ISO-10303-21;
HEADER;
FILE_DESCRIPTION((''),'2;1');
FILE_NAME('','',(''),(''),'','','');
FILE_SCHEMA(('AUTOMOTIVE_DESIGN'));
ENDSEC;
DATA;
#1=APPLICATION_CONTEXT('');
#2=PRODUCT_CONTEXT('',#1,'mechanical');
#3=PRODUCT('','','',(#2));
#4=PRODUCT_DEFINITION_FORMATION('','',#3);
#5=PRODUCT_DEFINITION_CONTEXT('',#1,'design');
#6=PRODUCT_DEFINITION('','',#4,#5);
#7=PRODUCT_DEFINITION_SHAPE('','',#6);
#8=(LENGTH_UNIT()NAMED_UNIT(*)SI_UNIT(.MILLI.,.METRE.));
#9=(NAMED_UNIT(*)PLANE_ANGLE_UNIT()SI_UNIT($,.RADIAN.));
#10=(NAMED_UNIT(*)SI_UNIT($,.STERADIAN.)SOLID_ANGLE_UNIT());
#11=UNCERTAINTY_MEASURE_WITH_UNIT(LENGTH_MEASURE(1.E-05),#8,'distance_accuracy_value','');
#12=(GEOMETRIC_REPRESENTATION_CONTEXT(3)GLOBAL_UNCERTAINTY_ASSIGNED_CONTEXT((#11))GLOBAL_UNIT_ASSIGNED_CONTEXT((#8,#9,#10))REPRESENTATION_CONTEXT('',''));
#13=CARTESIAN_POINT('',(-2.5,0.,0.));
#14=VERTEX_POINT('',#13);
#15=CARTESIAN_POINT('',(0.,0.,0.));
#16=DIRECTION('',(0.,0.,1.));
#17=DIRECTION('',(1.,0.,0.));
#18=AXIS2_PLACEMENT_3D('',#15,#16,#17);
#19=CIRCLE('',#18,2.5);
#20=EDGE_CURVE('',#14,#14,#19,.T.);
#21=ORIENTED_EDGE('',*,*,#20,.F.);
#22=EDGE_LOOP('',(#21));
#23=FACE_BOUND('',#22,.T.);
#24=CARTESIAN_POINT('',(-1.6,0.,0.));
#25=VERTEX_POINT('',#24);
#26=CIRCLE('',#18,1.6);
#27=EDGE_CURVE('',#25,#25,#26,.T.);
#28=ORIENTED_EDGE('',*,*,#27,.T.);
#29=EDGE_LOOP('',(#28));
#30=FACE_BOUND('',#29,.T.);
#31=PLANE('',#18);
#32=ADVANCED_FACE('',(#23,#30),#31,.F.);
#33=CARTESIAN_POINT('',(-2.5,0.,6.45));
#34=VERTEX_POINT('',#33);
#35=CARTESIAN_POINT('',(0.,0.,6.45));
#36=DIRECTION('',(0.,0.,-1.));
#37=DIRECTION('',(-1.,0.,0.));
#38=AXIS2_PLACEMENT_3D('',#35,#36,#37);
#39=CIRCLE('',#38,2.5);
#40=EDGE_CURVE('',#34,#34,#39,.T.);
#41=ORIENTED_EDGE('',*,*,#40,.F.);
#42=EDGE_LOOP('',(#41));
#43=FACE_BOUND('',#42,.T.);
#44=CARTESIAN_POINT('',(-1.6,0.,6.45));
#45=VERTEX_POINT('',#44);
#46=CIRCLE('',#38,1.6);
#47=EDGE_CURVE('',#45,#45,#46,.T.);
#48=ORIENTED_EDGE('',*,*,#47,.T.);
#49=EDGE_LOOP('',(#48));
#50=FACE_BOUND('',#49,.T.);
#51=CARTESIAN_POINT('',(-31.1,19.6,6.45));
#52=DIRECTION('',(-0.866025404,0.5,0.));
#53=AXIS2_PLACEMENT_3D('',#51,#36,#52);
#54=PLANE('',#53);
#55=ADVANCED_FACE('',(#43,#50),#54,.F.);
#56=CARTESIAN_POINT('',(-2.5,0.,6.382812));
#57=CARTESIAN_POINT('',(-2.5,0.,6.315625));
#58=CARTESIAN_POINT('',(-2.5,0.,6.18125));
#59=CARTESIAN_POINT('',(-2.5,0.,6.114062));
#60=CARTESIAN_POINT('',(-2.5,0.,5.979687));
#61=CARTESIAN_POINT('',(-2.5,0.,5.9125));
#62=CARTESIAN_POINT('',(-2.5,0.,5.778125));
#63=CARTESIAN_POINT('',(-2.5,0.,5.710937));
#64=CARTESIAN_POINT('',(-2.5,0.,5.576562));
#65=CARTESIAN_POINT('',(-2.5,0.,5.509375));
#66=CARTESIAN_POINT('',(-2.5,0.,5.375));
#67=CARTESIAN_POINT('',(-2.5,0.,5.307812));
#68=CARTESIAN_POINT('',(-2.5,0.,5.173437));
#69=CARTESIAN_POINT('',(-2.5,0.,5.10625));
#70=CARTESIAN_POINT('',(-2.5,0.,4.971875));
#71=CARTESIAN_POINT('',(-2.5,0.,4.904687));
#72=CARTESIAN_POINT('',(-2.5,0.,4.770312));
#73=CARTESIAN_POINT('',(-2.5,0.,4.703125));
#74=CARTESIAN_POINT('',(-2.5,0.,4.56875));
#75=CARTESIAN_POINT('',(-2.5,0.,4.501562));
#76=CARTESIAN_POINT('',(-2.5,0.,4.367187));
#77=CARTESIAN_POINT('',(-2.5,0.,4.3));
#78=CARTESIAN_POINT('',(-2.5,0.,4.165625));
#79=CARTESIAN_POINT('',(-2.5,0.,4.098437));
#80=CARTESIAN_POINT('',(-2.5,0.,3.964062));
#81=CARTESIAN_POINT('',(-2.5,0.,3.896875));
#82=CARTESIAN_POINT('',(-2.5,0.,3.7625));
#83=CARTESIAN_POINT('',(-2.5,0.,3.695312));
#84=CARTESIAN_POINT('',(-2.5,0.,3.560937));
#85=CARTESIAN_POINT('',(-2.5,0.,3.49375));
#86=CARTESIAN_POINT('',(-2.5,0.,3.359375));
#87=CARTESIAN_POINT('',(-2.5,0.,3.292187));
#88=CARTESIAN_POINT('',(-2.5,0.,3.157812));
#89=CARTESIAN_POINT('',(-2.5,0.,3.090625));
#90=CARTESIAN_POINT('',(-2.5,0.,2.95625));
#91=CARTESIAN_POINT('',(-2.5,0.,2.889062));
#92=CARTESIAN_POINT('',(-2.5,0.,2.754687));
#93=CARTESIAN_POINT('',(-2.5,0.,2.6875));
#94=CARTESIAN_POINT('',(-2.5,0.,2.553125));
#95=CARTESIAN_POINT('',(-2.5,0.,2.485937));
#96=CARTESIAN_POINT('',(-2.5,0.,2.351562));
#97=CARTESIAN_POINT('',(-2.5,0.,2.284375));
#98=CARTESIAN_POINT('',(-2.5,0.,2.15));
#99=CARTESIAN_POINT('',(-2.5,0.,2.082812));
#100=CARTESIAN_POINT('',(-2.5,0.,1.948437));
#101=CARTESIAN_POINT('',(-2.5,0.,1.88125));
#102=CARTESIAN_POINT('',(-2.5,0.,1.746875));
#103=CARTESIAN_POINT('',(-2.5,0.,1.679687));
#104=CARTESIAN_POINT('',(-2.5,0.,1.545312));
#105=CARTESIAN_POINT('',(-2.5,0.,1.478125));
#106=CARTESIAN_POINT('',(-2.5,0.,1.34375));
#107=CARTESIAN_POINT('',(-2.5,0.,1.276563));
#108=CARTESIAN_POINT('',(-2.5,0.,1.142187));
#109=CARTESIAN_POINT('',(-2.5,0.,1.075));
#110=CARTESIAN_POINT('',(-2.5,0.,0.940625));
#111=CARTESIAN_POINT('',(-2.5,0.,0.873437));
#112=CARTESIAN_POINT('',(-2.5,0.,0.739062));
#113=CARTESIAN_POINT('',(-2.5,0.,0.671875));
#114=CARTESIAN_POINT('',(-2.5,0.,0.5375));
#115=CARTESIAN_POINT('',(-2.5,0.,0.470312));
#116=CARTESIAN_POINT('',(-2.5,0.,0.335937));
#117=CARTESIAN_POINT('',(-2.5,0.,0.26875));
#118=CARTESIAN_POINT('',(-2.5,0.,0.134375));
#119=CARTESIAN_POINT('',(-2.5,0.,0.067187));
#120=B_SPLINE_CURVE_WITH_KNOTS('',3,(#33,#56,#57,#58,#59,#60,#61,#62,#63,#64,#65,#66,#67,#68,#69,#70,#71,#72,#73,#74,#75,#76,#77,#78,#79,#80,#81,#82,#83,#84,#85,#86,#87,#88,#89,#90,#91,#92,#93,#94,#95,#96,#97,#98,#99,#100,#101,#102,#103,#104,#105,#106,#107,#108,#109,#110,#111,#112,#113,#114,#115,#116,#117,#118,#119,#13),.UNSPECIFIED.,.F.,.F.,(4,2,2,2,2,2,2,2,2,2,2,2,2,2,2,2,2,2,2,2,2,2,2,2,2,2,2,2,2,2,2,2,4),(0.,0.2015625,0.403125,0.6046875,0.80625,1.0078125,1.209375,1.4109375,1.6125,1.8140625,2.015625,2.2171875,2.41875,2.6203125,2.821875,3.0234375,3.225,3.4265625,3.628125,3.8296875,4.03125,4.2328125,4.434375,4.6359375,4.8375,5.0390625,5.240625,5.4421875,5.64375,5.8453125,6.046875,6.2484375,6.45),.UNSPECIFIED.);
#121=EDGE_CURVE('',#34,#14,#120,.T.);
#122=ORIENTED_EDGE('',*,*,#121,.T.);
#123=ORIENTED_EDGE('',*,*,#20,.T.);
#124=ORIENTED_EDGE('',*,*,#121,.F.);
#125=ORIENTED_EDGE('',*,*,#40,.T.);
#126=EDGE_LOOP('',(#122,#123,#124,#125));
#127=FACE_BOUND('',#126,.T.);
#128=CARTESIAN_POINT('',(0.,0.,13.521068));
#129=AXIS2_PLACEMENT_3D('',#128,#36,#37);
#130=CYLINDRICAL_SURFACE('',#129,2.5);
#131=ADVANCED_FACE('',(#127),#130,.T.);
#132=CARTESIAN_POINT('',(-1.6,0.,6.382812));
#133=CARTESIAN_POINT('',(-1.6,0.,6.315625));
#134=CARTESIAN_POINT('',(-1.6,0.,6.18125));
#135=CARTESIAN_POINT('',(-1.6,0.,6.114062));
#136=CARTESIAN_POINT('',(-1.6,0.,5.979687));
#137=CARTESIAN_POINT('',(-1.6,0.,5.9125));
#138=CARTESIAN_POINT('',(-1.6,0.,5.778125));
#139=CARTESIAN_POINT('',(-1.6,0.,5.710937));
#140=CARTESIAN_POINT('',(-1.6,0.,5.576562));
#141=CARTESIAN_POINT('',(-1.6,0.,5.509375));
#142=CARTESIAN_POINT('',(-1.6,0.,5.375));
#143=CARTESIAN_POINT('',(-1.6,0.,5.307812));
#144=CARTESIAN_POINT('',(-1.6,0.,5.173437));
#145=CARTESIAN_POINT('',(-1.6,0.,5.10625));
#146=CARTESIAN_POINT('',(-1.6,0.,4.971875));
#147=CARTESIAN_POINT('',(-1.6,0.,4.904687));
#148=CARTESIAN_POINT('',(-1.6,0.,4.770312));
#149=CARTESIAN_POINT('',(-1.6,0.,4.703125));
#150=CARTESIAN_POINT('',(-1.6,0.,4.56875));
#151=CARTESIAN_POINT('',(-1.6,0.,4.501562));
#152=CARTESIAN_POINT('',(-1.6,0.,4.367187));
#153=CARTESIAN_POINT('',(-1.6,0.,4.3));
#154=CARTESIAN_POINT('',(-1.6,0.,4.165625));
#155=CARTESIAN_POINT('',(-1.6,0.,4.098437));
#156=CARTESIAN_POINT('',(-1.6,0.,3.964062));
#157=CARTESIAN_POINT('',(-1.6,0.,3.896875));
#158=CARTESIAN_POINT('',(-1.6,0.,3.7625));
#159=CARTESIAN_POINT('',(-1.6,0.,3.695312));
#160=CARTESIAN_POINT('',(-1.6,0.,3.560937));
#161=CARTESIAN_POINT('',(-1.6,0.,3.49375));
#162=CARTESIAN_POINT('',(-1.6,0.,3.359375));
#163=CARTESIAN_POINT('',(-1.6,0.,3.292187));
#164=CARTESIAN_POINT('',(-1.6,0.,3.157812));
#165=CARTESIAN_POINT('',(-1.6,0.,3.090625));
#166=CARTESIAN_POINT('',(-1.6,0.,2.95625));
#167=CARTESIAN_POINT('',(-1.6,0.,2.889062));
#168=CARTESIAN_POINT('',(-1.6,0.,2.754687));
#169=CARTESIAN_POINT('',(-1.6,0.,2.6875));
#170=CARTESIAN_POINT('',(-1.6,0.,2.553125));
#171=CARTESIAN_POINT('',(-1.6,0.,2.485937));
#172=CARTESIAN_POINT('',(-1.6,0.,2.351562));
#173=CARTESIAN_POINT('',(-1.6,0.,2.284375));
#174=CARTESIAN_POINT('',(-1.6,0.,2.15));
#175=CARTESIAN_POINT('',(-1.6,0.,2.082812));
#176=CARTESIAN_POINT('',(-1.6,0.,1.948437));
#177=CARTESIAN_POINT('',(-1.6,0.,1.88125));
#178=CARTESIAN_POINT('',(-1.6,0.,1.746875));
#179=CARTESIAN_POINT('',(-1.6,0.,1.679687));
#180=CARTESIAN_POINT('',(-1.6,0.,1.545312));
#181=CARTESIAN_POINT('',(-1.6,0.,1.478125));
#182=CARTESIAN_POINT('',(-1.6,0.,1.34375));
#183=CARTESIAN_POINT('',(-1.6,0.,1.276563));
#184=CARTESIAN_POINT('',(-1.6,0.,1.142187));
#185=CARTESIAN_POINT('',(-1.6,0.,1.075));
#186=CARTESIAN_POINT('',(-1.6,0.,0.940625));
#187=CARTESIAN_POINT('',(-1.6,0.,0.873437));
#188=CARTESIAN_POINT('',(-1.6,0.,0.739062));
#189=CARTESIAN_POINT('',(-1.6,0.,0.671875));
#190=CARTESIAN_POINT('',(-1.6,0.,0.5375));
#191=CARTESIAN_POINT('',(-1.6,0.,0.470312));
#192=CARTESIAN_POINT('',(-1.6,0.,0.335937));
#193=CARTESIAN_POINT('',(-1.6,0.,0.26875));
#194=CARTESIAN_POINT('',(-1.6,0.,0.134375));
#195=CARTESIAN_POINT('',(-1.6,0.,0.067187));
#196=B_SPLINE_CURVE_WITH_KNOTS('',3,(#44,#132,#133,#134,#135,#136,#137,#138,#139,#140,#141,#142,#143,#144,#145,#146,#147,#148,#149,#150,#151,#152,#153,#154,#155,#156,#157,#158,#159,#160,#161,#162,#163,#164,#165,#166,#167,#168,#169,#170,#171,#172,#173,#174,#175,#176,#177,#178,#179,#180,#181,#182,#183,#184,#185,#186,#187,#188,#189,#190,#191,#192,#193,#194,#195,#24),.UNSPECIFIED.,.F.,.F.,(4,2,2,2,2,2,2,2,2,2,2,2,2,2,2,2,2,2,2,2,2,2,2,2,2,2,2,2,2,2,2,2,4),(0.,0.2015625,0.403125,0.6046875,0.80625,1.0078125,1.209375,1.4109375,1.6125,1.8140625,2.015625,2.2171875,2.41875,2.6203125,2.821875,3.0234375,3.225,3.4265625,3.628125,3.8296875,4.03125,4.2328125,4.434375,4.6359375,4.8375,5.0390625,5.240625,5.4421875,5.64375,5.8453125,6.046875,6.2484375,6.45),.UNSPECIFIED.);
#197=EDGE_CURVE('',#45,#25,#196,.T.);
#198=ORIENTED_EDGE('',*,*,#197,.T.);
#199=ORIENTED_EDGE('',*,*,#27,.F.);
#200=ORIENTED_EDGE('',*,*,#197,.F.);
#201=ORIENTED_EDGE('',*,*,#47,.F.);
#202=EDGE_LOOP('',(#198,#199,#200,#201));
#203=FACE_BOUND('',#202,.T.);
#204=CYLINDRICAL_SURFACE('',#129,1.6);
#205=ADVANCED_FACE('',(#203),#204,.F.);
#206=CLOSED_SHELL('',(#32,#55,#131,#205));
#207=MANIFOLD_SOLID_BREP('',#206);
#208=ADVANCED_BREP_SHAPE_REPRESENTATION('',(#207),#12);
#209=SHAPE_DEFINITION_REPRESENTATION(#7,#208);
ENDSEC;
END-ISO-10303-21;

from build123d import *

# Parameters (mm, degrees)
SKETCH1_R           = 2.5
SKETCH1_R_2         = 1.6
BOSS_EXTRUDE1_DEPTH = 6.45


with BuildPart() as part:
    # Sketch1 → Boss-Extrude1 (new body)
    with BuildSketch(Plane.XY):
        with Locations(Location((0, 0, 0), (0, 0, 180))):
            Circle(SKETCH1_R)
        with Locations(Location((0, 0, 0), (0, 0, 180))):
            Circle(SKETCH1_R_2, mode=Mode.SUBTRACT)
    extrude(amount=BOSS_EXTRUDE1_DEPTH)


solid = part.part
